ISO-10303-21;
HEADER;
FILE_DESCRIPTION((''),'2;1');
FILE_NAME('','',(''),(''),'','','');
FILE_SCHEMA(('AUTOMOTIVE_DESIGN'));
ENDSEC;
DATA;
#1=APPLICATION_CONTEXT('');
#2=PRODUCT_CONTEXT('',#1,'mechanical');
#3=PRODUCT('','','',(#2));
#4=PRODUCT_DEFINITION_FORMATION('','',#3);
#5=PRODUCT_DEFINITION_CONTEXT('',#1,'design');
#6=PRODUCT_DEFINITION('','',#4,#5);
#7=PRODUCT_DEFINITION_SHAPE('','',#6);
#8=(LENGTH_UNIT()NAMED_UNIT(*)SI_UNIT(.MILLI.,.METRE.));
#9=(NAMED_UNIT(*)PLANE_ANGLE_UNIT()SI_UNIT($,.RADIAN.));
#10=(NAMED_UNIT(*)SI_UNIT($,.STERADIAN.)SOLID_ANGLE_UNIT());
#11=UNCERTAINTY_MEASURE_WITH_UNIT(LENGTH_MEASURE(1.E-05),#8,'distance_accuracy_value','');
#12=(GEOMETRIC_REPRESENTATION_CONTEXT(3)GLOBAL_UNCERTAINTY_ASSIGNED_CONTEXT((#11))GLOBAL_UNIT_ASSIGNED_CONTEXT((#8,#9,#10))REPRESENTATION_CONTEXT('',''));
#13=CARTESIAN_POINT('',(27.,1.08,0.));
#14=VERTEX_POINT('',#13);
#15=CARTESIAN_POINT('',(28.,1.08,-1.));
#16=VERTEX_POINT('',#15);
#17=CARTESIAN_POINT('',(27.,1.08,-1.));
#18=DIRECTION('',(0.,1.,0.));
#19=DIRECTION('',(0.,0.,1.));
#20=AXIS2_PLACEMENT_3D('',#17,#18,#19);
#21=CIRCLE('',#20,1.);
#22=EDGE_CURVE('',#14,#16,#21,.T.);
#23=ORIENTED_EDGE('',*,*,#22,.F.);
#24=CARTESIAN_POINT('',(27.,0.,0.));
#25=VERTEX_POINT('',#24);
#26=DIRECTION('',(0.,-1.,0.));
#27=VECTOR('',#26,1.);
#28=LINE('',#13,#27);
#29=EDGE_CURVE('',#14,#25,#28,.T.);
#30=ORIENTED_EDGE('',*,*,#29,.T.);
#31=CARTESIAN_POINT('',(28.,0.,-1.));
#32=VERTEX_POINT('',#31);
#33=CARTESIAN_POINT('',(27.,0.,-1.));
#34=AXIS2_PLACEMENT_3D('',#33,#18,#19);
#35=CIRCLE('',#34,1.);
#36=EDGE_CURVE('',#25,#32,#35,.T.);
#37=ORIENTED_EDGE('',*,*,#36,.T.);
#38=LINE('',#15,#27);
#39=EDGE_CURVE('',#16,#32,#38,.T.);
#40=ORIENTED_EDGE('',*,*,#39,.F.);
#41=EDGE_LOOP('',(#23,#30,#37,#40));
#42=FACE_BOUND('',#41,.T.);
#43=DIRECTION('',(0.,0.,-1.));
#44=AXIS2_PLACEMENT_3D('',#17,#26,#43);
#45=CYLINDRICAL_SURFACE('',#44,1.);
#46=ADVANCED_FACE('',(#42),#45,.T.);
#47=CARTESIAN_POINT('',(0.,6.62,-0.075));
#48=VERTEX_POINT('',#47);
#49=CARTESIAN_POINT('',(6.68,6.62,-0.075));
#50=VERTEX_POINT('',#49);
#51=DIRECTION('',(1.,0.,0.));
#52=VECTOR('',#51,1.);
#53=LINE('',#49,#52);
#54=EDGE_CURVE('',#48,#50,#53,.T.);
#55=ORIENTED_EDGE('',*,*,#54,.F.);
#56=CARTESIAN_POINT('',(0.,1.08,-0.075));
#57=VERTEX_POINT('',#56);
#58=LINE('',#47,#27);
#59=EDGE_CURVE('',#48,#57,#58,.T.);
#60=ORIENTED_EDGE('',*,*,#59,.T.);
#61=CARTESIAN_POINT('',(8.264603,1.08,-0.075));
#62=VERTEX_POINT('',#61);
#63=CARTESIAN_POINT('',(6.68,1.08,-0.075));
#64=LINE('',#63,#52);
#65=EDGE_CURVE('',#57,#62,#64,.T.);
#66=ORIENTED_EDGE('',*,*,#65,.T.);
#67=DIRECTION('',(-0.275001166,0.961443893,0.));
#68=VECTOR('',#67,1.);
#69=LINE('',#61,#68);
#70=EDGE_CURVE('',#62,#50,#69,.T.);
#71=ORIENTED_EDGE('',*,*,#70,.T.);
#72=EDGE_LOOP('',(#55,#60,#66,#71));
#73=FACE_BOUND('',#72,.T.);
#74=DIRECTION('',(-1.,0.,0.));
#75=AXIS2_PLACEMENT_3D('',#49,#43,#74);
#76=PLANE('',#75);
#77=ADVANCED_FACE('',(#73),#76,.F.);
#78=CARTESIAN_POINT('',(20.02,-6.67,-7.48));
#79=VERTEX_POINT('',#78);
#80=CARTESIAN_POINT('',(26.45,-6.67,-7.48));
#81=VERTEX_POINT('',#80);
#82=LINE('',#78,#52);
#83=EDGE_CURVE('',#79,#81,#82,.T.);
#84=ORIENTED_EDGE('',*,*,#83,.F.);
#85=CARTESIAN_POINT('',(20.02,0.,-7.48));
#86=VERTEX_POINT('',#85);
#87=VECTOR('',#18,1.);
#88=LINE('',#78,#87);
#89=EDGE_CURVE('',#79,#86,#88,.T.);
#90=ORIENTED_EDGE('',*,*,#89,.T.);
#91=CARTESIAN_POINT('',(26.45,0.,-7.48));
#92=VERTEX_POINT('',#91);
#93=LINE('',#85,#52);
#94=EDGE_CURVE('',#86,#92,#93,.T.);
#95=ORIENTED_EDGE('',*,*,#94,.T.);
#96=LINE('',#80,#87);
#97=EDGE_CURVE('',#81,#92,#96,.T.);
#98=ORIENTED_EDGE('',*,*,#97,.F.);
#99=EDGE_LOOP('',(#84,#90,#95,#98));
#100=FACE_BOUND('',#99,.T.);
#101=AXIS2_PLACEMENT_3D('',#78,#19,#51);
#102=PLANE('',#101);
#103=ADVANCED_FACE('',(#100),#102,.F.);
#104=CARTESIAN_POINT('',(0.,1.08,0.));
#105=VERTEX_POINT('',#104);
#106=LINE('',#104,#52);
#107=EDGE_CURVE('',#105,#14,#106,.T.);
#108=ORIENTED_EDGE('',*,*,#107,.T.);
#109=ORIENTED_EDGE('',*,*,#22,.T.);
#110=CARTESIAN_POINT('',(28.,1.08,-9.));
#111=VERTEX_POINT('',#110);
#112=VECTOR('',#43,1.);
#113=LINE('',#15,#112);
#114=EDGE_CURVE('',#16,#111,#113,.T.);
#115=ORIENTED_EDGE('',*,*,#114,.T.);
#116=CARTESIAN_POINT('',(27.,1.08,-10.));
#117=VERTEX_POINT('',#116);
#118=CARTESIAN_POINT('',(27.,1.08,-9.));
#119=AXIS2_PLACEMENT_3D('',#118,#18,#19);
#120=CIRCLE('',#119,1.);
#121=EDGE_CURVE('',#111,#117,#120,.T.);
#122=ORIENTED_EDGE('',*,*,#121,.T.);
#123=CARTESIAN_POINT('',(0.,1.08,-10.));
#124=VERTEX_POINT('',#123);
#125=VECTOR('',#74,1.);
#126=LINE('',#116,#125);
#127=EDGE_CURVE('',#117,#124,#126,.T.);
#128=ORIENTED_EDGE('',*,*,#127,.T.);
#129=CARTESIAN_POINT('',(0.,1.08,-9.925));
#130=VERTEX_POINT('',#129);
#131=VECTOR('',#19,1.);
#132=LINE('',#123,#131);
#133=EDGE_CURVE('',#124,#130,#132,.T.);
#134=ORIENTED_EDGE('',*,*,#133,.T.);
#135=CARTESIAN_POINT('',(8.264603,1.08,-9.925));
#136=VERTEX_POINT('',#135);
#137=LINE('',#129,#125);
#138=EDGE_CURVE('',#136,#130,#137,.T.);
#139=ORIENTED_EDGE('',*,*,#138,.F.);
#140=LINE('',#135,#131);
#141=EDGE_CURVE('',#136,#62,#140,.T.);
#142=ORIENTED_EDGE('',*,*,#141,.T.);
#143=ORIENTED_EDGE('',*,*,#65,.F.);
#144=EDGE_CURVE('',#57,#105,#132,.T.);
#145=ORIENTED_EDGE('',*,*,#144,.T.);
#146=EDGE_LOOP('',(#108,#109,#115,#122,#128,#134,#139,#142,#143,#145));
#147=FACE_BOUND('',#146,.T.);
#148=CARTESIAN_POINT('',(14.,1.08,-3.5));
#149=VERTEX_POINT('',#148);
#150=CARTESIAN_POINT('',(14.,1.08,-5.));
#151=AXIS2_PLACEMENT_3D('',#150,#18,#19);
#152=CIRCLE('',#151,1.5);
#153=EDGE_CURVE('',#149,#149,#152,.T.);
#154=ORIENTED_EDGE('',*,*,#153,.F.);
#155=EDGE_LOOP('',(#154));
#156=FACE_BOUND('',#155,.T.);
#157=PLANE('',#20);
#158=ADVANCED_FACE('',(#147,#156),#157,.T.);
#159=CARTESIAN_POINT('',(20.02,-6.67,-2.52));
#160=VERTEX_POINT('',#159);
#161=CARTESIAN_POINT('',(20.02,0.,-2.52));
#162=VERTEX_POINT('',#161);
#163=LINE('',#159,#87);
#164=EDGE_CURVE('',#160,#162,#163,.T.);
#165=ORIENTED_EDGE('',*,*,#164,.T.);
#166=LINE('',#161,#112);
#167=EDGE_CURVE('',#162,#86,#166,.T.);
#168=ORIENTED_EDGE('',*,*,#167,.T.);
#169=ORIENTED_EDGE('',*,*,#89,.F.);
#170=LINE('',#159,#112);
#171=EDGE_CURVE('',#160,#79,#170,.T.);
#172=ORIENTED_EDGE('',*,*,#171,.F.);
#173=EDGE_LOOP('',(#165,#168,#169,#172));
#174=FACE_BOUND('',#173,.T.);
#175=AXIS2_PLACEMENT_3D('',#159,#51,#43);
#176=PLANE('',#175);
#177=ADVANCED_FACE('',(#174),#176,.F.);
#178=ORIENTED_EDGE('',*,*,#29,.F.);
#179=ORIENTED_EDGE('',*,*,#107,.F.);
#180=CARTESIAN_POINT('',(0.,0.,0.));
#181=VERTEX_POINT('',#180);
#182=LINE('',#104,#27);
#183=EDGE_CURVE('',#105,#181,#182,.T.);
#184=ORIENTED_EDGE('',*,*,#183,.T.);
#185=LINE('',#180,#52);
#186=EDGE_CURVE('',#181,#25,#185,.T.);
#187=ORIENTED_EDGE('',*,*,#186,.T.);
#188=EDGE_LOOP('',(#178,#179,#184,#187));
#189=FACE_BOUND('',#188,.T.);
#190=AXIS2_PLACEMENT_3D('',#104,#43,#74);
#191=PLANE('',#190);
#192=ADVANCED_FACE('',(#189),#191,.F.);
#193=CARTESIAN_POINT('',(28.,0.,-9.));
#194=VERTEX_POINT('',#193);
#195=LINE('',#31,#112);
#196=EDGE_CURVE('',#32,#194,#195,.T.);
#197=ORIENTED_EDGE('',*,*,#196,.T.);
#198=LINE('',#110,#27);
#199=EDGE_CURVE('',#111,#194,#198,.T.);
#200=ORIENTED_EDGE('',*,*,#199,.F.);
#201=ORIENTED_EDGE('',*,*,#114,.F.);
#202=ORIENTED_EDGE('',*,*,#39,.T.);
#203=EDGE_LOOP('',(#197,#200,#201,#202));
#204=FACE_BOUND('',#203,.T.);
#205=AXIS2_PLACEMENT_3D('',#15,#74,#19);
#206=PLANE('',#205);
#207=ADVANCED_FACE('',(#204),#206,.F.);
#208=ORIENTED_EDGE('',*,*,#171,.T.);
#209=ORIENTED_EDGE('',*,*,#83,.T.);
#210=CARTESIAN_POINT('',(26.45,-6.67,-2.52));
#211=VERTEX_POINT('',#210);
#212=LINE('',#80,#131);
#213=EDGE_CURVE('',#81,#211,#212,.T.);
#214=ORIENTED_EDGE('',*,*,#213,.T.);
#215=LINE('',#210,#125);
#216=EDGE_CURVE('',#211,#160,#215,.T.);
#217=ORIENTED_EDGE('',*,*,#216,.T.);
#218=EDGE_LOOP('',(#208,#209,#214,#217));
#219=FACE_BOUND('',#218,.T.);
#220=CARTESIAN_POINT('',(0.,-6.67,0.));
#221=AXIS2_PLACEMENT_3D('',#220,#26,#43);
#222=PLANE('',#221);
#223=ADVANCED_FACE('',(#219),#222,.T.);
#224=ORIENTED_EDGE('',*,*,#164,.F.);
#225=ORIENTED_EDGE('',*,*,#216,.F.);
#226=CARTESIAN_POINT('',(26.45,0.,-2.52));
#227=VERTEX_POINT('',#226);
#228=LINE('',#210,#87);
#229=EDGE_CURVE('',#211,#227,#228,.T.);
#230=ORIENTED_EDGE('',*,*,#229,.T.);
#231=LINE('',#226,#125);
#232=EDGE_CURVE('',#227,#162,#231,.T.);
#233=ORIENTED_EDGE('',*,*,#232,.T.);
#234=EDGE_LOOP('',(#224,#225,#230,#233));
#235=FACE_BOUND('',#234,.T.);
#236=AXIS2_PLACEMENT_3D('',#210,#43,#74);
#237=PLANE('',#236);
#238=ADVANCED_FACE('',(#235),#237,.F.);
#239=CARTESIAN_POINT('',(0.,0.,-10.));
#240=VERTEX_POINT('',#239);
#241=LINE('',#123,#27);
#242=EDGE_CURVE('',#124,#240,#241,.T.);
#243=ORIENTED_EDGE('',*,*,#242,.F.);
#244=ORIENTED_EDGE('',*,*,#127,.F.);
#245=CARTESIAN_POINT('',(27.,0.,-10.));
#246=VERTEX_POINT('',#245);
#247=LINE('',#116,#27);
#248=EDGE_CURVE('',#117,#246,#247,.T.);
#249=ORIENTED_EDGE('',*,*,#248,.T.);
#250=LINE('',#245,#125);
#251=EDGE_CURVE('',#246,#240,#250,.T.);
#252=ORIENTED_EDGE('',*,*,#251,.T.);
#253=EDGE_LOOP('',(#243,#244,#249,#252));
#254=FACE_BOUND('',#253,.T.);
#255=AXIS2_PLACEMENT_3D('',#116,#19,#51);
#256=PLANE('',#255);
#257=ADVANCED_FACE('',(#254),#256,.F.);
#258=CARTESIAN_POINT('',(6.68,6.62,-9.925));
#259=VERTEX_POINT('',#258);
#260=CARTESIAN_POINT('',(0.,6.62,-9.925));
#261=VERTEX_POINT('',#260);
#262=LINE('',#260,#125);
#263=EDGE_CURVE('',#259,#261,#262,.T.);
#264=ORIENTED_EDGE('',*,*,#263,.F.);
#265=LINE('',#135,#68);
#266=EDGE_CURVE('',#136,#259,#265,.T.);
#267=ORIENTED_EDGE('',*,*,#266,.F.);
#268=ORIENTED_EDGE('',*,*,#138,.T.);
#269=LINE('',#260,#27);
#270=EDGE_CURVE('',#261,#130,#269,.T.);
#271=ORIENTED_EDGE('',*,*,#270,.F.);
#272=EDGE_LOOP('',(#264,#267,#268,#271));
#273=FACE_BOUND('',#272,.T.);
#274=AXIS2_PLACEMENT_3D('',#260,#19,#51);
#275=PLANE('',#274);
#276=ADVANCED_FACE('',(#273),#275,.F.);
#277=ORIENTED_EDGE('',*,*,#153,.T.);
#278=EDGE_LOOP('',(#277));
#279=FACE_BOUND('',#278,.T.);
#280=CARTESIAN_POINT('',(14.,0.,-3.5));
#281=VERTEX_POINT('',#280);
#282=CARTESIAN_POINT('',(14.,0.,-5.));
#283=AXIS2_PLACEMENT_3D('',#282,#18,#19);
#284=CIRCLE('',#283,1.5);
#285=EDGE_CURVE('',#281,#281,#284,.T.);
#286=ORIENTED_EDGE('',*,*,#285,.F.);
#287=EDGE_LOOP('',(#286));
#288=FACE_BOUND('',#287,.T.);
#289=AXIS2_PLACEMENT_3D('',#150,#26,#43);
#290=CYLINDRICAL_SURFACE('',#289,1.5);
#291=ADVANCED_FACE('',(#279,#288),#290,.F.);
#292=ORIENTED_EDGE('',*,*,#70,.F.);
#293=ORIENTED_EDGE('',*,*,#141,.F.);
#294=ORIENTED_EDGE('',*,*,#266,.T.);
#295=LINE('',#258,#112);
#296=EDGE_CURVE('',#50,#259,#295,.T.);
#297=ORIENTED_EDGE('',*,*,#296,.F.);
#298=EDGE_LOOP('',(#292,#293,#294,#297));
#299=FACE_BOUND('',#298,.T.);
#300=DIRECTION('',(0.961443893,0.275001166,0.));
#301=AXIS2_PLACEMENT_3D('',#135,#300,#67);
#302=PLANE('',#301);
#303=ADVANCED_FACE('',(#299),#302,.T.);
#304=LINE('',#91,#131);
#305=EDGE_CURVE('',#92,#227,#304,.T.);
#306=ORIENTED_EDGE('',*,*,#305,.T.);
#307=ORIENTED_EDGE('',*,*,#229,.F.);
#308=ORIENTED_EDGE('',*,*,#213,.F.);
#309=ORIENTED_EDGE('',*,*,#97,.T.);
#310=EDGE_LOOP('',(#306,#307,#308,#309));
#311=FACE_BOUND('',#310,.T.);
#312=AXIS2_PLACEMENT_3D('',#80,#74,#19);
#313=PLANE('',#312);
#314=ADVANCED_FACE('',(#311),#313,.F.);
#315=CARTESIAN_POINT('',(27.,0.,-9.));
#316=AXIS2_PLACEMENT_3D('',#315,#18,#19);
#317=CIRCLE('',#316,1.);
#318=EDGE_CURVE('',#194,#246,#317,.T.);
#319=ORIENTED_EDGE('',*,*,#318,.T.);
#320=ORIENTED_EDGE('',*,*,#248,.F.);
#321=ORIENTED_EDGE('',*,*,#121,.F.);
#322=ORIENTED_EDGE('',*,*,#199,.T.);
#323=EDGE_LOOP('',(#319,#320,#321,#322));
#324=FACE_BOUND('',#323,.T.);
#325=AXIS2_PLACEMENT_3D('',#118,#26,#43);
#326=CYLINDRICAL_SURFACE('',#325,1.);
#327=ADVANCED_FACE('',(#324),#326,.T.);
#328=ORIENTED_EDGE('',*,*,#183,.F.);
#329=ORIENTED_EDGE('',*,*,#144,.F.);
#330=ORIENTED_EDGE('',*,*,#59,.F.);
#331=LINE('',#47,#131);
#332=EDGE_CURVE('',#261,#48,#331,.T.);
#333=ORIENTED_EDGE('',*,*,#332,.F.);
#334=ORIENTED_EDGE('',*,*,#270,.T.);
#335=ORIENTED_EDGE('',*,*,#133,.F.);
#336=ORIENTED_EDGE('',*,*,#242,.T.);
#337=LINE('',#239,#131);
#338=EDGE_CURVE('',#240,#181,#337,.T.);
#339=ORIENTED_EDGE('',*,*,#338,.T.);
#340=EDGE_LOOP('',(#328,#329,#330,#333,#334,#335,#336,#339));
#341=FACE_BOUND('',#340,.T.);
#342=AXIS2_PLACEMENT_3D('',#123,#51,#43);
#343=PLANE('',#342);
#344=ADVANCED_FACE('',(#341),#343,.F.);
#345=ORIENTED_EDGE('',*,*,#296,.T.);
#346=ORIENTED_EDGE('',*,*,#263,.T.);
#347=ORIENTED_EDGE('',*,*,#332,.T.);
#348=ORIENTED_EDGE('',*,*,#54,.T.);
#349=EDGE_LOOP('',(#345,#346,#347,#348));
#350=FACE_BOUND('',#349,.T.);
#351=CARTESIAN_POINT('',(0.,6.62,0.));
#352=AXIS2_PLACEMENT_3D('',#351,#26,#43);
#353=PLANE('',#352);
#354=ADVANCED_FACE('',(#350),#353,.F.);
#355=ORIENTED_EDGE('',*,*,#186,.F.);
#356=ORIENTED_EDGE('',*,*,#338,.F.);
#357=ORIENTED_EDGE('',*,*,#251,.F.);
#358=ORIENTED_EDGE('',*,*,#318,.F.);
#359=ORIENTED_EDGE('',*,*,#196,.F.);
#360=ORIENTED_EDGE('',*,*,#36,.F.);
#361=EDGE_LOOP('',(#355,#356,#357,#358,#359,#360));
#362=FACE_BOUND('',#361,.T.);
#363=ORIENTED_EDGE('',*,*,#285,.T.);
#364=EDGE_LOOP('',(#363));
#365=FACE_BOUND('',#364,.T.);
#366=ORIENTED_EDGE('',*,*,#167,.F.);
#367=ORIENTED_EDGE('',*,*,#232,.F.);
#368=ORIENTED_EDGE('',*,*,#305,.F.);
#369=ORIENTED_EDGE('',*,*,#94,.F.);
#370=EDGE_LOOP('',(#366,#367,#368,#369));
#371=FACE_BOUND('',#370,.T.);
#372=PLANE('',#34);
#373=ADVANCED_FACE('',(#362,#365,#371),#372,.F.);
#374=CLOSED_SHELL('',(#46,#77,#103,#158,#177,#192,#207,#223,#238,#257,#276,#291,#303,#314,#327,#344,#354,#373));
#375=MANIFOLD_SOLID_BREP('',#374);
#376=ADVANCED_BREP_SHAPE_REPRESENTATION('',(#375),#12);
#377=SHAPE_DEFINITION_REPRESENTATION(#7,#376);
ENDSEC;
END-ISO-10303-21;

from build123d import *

# Parameters (mm, degrees)
SKETCH1_R           = 1.5
BOSS_EXTRUDE1_DEPTH = 1.08
SKETCH2_W           = 6.68
SKETCH2_H           = 9.85
BOSS_EXTRUDE2_DEPTH = 5.54
BOSS_EXTRUDE3_DEPTH = 9.85
SKETCH4_W           = 6.43
SKETCH4_H           = 4.96
BOSS_EXTRUDE4_DEPTH = 6.67


with BuildPart() as part:
    # Sketch1 → Boss-Extrude1 (new body)
    with BuildSketch(Plane(origin=(0, 0, 0), x_dir=(1, 0, 0), z_dir=(0, 1, 0))):
        with BuildLine():
            Line((0, 0), (27, 0))
            ThreePointArc((27, 0), (27.707106781, 0.292893219), (28, 1))
            Line((28, 1), (28, 9))
            ThreePointArc((28, 9), (27.707106781, 9.707106781), (27, 10))
            Line((27, 10), (0, 10))
            Line((0, 10), (0, 0))
        make_face()
        with Locations(Location((14, 5, 0), (0, 0, 270))):
            Circle(SKETCH1_R, mode=Mode.SUBTRACT)
    extrude(amount=BOSS_EXTRUDE1_DEPTH)

    # Sketch2 → Boss-Extrude2 (add)
    with BuildSketch(Plane(origin=(0, 1.08, 0), x_dir=(1, 0, 0), z_dir=(0, 1, 0))):
        with Locations((3.34, 5)):
            Rectangle(SKETCH2_W, SKETCH2_H)
    extrude(amount=BOSS_EXTRUDE2_DEPTH)

    # Sketch3 → Boss-Extrude3 (add)
    with BuildSketch(Plane.XY.offset(-0.075)):
        Polygon((0, 1.08), (8.264602566, 1.08), (6.68, 6.62), (0, 6.62), align=None)
    extrude(amount=-BOSS_EXTRUDE3_DEPTH)

    # Sketch4 → Boss-Extrude4 (add)
    with BuildSketch(Plane.XZ):
        with Locations((23.235, -5)):
            Rectangle(SKETCH4_W, SKETCH4_H)
    extrude(amount=BOSS_EXTRUDE4_DEPTH)


solid = part.part
